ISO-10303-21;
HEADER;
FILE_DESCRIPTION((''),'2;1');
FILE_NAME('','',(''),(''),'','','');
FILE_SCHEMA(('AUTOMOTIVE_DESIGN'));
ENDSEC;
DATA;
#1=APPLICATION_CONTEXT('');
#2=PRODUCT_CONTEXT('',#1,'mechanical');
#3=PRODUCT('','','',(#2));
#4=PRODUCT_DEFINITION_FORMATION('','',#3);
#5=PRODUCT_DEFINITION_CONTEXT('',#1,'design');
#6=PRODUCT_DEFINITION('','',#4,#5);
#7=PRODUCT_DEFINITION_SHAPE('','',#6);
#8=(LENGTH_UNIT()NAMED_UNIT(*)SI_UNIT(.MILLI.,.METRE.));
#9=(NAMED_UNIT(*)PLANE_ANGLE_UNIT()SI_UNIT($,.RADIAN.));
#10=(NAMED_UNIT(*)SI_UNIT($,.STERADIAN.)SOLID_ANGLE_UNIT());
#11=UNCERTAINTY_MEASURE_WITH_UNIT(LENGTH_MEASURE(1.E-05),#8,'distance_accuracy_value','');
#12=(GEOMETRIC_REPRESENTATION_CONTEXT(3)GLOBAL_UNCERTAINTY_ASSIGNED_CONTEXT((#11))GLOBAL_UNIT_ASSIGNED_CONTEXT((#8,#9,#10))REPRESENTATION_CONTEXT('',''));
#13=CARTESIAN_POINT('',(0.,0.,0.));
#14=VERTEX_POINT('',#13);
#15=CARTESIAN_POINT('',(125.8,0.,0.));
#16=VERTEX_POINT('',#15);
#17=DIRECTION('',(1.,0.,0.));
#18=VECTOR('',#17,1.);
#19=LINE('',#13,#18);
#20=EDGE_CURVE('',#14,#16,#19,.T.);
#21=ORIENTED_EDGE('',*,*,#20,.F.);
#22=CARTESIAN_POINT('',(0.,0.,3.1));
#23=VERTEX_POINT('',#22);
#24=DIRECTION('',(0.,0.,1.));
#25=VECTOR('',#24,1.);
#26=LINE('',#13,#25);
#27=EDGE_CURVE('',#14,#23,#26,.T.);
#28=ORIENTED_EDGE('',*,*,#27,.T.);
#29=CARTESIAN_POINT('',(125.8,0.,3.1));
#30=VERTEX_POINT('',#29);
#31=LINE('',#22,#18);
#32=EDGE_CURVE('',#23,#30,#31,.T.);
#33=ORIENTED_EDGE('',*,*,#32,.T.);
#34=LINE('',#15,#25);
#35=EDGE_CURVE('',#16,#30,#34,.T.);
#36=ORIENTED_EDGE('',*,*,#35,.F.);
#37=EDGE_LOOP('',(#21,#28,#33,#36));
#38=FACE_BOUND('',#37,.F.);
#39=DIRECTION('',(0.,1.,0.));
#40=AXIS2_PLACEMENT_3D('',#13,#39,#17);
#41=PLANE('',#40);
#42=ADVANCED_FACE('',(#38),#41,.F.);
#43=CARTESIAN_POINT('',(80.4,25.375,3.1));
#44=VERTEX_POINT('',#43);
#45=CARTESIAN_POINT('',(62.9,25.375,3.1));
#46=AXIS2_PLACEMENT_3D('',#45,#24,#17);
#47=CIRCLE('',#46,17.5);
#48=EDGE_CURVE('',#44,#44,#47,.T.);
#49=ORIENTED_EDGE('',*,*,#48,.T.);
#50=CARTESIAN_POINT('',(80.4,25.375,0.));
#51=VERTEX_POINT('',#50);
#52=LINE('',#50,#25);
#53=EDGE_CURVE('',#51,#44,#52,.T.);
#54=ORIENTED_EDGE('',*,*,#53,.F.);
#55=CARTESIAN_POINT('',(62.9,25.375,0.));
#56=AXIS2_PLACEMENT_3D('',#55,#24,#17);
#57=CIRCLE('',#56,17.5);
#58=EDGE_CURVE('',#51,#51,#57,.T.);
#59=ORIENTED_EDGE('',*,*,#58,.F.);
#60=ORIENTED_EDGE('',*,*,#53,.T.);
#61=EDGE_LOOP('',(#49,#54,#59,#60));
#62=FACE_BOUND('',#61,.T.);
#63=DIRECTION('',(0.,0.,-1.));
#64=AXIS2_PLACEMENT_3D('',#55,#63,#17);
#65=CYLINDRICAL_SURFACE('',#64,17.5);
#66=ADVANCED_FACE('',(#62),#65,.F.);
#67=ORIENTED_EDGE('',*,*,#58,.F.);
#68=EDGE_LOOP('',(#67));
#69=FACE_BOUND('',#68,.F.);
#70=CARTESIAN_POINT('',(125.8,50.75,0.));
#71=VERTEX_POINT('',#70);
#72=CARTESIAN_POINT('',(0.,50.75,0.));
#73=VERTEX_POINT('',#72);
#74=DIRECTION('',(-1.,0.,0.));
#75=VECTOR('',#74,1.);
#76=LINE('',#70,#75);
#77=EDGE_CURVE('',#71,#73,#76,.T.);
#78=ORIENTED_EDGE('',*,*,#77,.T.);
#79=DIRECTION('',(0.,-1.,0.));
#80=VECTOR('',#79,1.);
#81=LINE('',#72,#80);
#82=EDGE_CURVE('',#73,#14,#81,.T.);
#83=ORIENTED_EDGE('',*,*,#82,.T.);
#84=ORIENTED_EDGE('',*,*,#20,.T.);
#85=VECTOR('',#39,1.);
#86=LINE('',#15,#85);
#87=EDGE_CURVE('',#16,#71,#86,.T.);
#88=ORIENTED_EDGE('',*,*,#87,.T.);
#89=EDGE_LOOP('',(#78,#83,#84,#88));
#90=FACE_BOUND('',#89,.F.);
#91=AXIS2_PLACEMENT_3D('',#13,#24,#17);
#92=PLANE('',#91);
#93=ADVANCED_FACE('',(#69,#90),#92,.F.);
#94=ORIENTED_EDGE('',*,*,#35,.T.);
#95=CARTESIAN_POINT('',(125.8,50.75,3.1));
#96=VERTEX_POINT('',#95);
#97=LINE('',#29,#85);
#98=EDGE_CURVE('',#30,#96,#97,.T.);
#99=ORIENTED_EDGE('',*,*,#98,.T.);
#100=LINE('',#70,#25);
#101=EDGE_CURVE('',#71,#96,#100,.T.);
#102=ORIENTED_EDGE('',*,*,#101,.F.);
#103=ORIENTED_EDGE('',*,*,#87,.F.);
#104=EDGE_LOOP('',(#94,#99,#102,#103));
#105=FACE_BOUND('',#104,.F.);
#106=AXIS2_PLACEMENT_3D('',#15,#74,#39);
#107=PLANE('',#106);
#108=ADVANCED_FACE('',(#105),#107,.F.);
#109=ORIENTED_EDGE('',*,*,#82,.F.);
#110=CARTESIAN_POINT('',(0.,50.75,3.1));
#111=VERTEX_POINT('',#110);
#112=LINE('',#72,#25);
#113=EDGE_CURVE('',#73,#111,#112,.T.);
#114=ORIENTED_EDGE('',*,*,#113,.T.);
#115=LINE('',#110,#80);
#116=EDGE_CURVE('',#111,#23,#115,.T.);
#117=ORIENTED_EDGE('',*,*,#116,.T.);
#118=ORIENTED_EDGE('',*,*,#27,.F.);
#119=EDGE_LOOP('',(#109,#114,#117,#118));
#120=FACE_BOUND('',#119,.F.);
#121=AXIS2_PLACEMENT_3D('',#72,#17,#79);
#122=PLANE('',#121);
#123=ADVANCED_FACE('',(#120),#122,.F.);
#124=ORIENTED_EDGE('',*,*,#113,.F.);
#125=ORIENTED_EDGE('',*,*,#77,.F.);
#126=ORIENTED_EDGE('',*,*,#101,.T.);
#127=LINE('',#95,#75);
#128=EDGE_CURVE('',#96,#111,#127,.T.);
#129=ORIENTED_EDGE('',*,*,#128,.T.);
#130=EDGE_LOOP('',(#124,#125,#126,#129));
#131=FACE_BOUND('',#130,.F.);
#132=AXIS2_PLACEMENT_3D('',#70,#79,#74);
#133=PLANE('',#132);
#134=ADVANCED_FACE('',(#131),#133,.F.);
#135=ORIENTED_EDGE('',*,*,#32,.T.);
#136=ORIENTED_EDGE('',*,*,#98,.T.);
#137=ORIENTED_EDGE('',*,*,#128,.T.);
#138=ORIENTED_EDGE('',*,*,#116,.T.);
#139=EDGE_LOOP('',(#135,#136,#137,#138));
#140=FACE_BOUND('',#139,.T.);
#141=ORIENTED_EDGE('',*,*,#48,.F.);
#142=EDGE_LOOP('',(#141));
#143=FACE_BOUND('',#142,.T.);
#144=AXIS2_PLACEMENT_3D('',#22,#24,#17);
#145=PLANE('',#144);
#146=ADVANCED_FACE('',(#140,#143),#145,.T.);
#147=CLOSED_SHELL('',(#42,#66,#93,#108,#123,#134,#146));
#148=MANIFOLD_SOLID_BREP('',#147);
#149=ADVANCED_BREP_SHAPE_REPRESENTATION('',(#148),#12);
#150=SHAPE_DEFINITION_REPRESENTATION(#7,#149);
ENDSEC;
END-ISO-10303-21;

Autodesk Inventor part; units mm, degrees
ref_plane "YZ Plane" through (0, 0, 0) normal (1, 0, 0) x (0, 1, 0)
ref_plane "XZ Plane" through (0, 0, 0) normal (0, 1, 0) x (-1, 0, 0)
ref_plane "XY Plane" through (0, 0, 0) normal (0, 0, 1) x (1, 0, 0)
sketch "Sketch1" plane through (0, 0, 0) normal (0, 0, 1) x (1, 0, 0)
  line L0 (0, 0) -> (125.8, 0)
  line L1 (125.8, 0) -> (125.8, 50.75)
  line L2 (125.8, 50.75) -> (0, 50.75)
  line L3 (0, 50.75) -> (0, 0)
  circle A0 centre (62.9, 25.375) radius 17.5
  dimension "d0" = 125.8
  dimension "d1" = 50.75
  dimension "d4" = 35
  dimension "d5" = 62.9
  dimension "d6" = 25.375
extrude "Extrusion1" add sketch "Sketch1" along normal blind 3.1
properties part number "TorquePlate"
